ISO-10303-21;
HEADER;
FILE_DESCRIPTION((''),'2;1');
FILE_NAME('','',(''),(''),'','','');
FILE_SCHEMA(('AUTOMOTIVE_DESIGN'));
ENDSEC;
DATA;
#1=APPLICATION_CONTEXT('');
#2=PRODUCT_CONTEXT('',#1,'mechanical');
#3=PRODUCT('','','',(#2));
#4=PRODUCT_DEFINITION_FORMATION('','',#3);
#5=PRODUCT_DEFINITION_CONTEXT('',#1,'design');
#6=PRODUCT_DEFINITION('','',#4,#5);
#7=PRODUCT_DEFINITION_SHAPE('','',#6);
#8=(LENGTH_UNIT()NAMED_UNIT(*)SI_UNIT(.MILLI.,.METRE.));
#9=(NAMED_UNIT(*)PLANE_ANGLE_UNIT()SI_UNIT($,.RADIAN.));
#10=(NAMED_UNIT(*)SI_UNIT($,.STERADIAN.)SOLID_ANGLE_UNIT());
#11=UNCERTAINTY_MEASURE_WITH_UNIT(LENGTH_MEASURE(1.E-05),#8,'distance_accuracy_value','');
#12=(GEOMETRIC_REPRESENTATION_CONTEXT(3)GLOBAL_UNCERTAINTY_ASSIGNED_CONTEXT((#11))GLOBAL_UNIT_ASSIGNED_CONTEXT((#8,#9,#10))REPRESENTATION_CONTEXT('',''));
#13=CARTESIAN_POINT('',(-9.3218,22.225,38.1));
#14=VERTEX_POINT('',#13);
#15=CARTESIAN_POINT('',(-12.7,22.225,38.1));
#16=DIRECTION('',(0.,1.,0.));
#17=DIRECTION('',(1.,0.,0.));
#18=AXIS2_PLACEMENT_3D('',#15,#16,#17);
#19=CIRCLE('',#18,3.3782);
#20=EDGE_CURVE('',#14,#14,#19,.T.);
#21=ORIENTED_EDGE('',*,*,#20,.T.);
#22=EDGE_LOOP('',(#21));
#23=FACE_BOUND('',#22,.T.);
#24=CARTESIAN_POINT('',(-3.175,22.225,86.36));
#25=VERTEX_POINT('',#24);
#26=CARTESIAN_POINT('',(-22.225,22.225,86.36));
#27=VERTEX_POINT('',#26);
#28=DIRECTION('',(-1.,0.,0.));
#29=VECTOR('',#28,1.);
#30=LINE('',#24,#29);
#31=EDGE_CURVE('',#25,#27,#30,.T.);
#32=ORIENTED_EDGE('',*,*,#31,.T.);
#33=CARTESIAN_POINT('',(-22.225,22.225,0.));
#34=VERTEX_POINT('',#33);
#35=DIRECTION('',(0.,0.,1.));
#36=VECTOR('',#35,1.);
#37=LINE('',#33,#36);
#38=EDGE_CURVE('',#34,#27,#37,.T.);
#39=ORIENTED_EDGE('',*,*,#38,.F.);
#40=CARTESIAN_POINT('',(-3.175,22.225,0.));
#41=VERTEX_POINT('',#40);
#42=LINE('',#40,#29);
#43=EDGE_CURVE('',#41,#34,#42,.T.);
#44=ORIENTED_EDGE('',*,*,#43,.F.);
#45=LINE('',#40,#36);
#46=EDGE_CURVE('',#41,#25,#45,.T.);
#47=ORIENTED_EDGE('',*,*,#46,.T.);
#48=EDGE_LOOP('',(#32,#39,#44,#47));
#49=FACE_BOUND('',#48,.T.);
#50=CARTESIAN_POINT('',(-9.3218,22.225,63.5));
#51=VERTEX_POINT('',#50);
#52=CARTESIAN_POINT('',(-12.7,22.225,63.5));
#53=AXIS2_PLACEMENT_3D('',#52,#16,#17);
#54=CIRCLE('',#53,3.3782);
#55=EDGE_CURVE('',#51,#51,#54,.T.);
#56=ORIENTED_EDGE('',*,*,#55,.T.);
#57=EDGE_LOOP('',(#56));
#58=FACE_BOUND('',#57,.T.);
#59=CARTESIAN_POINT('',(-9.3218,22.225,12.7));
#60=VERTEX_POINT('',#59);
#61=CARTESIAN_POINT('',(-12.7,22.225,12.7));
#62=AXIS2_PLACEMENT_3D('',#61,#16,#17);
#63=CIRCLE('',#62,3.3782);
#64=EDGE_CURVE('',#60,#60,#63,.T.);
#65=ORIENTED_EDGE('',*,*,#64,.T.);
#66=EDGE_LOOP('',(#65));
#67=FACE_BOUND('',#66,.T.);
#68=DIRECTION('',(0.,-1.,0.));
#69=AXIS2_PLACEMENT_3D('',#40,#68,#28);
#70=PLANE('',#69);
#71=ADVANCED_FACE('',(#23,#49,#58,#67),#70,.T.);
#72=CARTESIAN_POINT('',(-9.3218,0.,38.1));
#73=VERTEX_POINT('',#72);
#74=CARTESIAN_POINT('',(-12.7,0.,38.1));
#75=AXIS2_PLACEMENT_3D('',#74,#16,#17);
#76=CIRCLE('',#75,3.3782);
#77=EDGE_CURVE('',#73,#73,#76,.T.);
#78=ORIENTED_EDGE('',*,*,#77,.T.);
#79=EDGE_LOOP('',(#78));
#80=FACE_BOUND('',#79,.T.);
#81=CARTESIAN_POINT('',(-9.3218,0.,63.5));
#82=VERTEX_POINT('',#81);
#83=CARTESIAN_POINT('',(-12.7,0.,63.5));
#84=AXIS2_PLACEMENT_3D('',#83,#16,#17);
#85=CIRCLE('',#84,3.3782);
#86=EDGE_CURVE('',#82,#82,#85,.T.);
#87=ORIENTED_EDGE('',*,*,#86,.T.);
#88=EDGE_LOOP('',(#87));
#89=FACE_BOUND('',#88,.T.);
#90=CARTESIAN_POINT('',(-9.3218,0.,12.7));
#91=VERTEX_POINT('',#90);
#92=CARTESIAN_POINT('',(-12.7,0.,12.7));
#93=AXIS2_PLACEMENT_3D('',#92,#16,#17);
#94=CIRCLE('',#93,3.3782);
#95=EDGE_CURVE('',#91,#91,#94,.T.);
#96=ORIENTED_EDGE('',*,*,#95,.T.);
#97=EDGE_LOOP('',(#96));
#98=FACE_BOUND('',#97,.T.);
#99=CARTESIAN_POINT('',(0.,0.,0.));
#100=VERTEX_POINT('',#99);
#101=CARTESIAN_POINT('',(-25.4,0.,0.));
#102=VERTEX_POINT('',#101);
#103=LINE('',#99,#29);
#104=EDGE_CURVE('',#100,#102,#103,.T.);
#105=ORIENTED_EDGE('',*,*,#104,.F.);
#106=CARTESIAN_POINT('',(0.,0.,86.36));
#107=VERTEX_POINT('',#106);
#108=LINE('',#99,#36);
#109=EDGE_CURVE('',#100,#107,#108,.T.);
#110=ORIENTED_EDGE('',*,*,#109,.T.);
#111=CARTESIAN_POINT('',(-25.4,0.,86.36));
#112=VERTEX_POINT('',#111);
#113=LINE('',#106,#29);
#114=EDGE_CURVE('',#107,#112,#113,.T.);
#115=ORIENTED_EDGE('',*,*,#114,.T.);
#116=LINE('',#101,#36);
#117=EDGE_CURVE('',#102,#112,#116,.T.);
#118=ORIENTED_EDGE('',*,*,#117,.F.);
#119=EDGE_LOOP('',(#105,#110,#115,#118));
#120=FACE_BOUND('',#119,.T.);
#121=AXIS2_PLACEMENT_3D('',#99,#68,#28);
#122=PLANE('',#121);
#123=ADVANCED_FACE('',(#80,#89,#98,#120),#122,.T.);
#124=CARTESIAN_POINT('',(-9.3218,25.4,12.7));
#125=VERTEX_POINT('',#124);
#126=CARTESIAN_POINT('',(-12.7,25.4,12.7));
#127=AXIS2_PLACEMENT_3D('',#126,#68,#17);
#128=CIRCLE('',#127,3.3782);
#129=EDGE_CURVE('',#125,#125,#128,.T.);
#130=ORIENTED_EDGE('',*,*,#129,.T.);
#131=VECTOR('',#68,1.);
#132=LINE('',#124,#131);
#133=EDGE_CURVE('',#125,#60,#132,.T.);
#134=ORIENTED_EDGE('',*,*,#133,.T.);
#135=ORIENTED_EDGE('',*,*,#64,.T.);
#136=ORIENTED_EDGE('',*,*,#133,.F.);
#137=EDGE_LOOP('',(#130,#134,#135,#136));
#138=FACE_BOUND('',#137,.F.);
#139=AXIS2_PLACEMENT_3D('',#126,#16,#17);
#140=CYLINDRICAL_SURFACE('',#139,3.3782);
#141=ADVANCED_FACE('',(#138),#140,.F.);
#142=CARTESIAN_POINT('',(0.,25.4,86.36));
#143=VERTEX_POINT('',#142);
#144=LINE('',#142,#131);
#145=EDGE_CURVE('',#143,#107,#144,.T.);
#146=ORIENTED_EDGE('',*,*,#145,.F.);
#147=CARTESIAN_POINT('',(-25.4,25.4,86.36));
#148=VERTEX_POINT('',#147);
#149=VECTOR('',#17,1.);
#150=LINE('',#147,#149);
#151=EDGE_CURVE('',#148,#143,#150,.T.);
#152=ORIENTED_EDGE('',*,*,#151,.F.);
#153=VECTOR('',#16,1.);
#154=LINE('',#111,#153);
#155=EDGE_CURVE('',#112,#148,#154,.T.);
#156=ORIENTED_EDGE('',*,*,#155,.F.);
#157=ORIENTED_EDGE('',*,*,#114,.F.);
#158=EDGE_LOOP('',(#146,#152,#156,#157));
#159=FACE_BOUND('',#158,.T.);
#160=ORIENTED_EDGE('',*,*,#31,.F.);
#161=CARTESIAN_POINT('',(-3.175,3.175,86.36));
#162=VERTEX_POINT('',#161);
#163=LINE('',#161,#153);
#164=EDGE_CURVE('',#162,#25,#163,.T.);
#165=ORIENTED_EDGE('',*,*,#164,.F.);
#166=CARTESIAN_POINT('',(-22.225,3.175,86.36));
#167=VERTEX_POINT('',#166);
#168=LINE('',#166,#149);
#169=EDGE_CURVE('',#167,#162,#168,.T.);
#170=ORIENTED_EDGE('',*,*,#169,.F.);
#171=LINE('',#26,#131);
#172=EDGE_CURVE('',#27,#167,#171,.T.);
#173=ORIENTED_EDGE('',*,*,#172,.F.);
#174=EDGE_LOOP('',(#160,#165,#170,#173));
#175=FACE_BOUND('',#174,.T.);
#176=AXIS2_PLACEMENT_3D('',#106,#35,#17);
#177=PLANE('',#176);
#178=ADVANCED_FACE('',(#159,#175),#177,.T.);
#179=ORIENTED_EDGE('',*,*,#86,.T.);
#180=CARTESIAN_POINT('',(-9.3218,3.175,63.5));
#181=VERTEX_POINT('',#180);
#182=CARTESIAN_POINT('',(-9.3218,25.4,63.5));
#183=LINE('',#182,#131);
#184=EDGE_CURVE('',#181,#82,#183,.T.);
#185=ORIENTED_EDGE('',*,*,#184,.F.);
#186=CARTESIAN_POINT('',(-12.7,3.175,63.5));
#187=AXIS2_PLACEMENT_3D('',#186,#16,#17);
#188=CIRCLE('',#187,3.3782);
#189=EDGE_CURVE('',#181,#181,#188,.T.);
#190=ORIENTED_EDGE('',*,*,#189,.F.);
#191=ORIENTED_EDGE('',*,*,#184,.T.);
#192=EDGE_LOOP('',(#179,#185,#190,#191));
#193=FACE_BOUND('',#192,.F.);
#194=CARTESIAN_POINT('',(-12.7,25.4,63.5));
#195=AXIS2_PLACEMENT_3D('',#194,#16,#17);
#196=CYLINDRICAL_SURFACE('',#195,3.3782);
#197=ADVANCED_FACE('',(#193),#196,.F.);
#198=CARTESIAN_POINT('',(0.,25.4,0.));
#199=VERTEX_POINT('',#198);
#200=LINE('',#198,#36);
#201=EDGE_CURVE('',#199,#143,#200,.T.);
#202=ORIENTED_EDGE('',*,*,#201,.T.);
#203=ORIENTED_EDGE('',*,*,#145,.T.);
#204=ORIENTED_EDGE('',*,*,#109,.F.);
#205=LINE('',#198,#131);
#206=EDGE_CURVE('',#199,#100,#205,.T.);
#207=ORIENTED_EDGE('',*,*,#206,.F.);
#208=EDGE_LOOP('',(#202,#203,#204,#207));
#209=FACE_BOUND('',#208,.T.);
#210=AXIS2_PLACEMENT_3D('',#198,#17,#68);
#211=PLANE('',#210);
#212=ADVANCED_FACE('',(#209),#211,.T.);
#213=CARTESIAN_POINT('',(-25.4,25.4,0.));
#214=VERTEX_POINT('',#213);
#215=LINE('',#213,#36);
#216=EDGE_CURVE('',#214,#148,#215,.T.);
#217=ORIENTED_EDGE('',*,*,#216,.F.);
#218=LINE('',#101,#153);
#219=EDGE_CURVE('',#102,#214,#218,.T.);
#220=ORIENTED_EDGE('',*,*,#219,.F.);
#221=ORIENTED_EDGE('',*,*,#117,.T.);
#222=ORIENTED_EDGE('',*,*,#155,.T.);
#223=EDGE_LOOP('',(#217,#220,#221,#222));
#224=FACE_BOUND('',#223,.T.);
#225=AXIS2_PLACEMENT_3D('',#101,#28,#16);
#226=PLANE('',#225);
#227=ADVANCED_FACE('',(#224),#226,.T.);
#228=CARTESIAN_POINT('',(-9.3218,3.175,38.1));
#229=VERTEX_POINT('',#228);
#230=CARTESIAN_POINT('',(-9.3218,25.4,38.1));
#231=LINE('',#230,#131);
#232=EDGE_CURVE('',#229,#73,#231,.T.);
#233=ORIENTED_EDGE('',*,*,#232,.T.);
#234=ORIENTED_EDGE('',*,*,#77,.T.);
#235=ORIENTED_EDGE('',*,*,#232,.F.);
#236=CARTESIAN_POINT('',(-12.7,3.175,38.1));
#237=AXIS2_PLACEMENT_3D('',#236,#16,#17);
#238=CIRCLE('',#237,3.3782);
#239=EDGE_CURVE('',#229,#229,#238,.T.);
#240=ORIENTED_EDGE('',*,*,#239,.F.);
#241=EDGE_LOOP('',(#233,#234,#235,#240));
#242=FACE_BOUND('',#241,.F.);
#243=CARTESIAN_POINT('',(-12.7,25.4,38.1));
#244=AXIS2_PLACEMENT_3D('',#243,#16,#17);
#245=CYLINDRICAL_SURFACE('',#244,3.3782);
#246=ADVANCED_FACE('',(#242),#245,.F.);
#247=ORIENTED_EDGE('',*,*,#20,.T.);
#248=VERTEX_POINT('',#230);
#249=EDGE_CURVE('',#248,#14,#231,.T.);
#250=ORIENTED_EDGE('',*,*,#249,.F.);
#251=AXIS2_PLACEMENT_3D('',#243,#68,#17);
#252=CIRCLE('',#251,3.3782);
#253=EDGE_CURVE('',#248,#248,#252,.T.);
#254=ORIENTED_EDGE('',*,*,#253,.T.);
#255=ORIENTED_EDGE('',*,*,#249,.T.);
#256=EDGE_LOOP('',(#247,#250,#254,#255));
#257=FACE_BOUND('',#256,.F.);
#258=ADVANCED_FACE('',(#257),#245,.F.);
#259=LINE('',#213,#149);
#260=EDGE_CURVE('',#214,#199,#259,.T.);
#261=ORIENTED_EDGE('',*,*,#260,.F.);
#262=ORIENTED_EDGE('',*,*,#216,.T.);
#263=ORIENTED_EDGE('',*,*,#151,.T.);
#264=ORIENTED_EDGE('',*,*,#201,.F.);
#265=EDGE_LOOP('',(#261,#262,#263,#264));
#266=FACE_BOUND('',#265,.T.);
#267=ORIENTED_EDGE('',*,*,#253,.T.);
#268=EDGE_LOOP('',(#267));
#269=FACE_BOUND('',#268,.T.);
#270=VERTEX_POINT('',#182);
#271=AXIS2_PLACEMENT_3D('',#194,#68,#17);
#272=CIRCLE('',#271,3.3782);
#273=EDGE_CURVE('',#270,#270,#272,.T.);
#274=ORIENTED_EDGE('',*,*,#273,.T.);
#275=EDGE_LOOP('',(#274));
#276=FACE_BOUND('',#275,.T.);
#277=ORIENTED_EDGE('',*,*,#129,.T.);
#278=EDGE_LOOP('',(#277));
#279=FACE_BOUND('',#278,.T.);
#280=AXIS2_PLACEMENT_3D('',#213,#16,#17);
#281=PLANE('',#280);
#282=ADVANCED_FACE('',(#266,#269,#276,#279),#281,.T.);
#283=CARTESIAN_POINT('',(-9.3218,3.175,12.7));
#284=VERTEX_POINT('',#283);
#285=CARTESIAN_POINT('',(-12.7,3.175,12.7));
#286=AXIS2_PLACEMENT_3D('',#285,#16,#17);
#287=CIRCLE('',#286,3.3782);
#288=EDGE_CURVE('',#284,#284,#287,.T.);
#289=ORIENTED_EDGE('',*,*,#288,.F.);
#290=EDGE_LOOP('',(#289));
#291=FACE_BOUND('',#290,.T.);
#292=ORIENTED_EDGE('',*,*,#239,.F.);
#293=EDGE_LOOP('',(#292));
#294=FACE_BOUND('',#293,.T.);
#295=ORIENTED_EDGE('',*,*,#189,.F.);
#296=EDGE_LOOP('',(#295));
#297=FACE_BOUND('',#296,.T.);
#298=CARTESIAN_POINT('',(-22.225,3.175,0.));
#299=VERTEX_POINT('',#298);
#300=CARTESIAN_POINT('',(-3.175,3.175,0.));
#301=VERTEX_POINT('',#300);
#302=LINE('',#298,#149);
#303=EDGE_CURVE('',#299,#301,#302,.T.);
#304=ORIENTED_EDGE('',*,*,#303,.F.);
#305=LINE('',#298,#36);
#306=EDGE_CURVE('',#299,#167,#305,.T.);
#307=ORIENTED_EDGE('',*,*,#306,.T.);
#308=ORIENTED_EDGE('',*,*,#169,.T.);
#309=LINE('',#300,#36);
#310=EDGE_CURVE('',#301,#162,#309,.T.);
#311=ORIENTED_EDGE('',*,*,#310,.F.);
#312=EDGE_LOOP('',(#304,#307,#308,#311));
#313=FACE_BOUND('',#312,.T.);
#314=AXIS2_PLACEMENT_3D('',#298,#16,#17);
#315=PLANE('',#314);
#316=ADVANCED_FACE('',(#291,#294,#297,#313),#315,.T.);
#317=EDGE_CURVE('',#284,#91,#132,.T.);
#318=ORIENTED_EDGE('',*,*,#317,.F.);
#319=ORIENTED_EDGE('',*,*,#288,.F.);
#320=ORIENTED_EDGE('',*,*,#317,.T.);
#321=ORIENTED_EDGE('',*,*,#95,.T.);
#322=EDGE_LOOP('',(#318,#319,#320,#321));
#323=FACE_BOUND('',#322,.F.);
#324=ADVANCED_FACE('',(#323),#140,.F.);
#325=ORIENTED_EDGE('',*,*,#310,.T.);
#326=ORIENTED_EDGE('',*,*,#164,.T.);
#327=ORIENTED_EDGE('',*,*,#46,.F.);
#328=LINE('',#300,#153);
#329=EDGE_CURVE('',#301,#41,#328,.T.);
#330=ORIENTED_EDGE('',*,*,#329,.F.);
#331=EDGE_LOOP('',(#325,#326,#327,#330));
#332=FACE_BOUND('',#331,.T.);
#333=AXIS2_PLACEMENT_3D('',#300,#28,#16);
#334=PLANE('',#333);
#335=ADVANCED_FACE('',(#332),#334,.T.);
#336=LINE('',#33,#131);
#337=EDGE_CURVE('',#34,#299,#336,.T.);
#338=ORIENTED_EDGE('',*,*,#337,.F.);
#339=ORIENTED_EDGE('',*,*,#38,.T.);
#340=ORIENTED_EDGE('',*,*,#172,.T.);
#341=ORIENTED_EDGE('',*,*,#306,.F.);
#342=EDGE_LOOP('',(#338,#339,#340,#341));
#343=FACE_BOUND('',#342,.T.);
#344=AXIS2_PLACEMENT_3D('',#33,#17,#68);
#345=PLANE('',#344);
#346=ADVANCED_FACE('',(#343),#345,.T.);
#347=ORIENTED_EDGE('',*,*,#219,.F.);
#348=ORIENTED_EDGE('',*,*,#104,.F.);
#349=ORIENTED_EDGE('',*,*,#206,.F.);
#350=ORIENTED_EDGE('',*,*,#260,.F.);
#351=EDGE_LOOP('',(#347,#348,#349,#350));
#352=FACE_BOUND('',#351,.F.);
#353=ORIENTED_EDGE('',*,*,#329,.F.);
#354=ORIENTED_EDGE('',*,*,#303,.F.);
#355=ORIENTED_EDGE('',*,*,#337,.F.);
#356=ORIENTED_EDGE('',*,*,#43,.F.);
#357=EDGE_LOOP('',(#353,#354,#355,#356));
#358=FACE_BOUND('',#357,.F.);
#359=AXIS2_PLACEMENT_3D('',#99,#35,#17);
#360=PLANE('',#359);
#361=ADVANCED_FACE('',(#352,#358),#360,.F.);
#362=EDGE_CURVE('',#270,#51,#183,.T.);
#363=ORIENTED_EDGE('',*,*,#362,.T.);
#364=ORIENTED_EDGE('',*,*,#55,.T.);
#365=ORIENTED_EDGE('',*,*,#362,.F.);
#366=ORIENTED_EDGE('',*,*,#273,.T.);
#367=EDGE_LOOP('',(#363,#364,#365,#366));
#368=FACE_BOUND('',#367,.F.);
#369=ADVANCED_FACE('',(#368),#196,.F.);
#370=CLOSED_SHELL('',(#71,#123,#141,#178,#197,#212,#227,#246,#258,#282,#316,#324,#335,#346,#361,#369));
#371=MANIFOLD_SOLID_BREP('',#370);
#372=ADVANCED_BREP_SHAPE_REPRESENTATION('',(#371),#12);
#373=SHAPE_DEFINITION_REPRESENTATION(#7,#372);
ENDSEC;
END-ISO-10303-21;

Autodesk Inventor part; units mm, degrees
ref_plane "YZ Plane" through (0, 0, 0) normal (1, 0, 0) x (0, 1, 0)
ref_plane "XZ Plane" through (0, 0, 0) normal (0, 1, 0) x (-1, 0, 0)
ref_plane "XY Plane" through (0, 0, 0) normal (0, 0, 1) x (1, 0, 0)
sketch "Sketch1" plane through (0, 0, 0) normal (0, 0, 1) x (1, 0, 0)
  line L0 (0, 0) -> (-25.4, 0)
  line L1 (-25.4, 0) -> (-25.4, 25.4)
  line L2 (-25.4, 25.4) -> (0, 25.4)
  line L3 (0, 25.4) -> (0, 0)
  line L4 (-3.175, 22.225) -> (-22.225, 22.225)
  line L5 (-22.225, 22.225) -> (-22.225, 3.175)
  line L6 (-22.225, 3.175) -> (-3.175, 3.175)
  line L7 (-3.175, 3.175) -> (-3.175, 22.225)
  dimension "d0" = 25.4
  dimension "d1" = 25.4
  dimension "d2" = 3.175
extrude "Extrusion1" add sketch "Sketch1" along normal blind 86.36
sketch "Sketch2" plane through (-25.4, 25.4, 0) normal (0, 1, 0) x (1, 0, 0)
  line L0 (0, 0) -> (25.4, 0) projected
  line L1 (25.4, 0) -> (25.4, -86.36) projected
  line L2 (12.7, 0) -> (12.7, -12.7)
  circle A0 centre (12.7, -12.7) radius 3.3782
  dimension "d5" = 12.7
  dimension "d6" = 6.7564
extrude "Extrusion2" cut sketch "Sketch2" against normal blind 86.36
pattern_linear "Rectangular Pattern1" count 3 spacing 25.4 along (0, 0, 1) of "Extrusion2"
properties part number "corner bumper mount" material "Aluminum 6061"
